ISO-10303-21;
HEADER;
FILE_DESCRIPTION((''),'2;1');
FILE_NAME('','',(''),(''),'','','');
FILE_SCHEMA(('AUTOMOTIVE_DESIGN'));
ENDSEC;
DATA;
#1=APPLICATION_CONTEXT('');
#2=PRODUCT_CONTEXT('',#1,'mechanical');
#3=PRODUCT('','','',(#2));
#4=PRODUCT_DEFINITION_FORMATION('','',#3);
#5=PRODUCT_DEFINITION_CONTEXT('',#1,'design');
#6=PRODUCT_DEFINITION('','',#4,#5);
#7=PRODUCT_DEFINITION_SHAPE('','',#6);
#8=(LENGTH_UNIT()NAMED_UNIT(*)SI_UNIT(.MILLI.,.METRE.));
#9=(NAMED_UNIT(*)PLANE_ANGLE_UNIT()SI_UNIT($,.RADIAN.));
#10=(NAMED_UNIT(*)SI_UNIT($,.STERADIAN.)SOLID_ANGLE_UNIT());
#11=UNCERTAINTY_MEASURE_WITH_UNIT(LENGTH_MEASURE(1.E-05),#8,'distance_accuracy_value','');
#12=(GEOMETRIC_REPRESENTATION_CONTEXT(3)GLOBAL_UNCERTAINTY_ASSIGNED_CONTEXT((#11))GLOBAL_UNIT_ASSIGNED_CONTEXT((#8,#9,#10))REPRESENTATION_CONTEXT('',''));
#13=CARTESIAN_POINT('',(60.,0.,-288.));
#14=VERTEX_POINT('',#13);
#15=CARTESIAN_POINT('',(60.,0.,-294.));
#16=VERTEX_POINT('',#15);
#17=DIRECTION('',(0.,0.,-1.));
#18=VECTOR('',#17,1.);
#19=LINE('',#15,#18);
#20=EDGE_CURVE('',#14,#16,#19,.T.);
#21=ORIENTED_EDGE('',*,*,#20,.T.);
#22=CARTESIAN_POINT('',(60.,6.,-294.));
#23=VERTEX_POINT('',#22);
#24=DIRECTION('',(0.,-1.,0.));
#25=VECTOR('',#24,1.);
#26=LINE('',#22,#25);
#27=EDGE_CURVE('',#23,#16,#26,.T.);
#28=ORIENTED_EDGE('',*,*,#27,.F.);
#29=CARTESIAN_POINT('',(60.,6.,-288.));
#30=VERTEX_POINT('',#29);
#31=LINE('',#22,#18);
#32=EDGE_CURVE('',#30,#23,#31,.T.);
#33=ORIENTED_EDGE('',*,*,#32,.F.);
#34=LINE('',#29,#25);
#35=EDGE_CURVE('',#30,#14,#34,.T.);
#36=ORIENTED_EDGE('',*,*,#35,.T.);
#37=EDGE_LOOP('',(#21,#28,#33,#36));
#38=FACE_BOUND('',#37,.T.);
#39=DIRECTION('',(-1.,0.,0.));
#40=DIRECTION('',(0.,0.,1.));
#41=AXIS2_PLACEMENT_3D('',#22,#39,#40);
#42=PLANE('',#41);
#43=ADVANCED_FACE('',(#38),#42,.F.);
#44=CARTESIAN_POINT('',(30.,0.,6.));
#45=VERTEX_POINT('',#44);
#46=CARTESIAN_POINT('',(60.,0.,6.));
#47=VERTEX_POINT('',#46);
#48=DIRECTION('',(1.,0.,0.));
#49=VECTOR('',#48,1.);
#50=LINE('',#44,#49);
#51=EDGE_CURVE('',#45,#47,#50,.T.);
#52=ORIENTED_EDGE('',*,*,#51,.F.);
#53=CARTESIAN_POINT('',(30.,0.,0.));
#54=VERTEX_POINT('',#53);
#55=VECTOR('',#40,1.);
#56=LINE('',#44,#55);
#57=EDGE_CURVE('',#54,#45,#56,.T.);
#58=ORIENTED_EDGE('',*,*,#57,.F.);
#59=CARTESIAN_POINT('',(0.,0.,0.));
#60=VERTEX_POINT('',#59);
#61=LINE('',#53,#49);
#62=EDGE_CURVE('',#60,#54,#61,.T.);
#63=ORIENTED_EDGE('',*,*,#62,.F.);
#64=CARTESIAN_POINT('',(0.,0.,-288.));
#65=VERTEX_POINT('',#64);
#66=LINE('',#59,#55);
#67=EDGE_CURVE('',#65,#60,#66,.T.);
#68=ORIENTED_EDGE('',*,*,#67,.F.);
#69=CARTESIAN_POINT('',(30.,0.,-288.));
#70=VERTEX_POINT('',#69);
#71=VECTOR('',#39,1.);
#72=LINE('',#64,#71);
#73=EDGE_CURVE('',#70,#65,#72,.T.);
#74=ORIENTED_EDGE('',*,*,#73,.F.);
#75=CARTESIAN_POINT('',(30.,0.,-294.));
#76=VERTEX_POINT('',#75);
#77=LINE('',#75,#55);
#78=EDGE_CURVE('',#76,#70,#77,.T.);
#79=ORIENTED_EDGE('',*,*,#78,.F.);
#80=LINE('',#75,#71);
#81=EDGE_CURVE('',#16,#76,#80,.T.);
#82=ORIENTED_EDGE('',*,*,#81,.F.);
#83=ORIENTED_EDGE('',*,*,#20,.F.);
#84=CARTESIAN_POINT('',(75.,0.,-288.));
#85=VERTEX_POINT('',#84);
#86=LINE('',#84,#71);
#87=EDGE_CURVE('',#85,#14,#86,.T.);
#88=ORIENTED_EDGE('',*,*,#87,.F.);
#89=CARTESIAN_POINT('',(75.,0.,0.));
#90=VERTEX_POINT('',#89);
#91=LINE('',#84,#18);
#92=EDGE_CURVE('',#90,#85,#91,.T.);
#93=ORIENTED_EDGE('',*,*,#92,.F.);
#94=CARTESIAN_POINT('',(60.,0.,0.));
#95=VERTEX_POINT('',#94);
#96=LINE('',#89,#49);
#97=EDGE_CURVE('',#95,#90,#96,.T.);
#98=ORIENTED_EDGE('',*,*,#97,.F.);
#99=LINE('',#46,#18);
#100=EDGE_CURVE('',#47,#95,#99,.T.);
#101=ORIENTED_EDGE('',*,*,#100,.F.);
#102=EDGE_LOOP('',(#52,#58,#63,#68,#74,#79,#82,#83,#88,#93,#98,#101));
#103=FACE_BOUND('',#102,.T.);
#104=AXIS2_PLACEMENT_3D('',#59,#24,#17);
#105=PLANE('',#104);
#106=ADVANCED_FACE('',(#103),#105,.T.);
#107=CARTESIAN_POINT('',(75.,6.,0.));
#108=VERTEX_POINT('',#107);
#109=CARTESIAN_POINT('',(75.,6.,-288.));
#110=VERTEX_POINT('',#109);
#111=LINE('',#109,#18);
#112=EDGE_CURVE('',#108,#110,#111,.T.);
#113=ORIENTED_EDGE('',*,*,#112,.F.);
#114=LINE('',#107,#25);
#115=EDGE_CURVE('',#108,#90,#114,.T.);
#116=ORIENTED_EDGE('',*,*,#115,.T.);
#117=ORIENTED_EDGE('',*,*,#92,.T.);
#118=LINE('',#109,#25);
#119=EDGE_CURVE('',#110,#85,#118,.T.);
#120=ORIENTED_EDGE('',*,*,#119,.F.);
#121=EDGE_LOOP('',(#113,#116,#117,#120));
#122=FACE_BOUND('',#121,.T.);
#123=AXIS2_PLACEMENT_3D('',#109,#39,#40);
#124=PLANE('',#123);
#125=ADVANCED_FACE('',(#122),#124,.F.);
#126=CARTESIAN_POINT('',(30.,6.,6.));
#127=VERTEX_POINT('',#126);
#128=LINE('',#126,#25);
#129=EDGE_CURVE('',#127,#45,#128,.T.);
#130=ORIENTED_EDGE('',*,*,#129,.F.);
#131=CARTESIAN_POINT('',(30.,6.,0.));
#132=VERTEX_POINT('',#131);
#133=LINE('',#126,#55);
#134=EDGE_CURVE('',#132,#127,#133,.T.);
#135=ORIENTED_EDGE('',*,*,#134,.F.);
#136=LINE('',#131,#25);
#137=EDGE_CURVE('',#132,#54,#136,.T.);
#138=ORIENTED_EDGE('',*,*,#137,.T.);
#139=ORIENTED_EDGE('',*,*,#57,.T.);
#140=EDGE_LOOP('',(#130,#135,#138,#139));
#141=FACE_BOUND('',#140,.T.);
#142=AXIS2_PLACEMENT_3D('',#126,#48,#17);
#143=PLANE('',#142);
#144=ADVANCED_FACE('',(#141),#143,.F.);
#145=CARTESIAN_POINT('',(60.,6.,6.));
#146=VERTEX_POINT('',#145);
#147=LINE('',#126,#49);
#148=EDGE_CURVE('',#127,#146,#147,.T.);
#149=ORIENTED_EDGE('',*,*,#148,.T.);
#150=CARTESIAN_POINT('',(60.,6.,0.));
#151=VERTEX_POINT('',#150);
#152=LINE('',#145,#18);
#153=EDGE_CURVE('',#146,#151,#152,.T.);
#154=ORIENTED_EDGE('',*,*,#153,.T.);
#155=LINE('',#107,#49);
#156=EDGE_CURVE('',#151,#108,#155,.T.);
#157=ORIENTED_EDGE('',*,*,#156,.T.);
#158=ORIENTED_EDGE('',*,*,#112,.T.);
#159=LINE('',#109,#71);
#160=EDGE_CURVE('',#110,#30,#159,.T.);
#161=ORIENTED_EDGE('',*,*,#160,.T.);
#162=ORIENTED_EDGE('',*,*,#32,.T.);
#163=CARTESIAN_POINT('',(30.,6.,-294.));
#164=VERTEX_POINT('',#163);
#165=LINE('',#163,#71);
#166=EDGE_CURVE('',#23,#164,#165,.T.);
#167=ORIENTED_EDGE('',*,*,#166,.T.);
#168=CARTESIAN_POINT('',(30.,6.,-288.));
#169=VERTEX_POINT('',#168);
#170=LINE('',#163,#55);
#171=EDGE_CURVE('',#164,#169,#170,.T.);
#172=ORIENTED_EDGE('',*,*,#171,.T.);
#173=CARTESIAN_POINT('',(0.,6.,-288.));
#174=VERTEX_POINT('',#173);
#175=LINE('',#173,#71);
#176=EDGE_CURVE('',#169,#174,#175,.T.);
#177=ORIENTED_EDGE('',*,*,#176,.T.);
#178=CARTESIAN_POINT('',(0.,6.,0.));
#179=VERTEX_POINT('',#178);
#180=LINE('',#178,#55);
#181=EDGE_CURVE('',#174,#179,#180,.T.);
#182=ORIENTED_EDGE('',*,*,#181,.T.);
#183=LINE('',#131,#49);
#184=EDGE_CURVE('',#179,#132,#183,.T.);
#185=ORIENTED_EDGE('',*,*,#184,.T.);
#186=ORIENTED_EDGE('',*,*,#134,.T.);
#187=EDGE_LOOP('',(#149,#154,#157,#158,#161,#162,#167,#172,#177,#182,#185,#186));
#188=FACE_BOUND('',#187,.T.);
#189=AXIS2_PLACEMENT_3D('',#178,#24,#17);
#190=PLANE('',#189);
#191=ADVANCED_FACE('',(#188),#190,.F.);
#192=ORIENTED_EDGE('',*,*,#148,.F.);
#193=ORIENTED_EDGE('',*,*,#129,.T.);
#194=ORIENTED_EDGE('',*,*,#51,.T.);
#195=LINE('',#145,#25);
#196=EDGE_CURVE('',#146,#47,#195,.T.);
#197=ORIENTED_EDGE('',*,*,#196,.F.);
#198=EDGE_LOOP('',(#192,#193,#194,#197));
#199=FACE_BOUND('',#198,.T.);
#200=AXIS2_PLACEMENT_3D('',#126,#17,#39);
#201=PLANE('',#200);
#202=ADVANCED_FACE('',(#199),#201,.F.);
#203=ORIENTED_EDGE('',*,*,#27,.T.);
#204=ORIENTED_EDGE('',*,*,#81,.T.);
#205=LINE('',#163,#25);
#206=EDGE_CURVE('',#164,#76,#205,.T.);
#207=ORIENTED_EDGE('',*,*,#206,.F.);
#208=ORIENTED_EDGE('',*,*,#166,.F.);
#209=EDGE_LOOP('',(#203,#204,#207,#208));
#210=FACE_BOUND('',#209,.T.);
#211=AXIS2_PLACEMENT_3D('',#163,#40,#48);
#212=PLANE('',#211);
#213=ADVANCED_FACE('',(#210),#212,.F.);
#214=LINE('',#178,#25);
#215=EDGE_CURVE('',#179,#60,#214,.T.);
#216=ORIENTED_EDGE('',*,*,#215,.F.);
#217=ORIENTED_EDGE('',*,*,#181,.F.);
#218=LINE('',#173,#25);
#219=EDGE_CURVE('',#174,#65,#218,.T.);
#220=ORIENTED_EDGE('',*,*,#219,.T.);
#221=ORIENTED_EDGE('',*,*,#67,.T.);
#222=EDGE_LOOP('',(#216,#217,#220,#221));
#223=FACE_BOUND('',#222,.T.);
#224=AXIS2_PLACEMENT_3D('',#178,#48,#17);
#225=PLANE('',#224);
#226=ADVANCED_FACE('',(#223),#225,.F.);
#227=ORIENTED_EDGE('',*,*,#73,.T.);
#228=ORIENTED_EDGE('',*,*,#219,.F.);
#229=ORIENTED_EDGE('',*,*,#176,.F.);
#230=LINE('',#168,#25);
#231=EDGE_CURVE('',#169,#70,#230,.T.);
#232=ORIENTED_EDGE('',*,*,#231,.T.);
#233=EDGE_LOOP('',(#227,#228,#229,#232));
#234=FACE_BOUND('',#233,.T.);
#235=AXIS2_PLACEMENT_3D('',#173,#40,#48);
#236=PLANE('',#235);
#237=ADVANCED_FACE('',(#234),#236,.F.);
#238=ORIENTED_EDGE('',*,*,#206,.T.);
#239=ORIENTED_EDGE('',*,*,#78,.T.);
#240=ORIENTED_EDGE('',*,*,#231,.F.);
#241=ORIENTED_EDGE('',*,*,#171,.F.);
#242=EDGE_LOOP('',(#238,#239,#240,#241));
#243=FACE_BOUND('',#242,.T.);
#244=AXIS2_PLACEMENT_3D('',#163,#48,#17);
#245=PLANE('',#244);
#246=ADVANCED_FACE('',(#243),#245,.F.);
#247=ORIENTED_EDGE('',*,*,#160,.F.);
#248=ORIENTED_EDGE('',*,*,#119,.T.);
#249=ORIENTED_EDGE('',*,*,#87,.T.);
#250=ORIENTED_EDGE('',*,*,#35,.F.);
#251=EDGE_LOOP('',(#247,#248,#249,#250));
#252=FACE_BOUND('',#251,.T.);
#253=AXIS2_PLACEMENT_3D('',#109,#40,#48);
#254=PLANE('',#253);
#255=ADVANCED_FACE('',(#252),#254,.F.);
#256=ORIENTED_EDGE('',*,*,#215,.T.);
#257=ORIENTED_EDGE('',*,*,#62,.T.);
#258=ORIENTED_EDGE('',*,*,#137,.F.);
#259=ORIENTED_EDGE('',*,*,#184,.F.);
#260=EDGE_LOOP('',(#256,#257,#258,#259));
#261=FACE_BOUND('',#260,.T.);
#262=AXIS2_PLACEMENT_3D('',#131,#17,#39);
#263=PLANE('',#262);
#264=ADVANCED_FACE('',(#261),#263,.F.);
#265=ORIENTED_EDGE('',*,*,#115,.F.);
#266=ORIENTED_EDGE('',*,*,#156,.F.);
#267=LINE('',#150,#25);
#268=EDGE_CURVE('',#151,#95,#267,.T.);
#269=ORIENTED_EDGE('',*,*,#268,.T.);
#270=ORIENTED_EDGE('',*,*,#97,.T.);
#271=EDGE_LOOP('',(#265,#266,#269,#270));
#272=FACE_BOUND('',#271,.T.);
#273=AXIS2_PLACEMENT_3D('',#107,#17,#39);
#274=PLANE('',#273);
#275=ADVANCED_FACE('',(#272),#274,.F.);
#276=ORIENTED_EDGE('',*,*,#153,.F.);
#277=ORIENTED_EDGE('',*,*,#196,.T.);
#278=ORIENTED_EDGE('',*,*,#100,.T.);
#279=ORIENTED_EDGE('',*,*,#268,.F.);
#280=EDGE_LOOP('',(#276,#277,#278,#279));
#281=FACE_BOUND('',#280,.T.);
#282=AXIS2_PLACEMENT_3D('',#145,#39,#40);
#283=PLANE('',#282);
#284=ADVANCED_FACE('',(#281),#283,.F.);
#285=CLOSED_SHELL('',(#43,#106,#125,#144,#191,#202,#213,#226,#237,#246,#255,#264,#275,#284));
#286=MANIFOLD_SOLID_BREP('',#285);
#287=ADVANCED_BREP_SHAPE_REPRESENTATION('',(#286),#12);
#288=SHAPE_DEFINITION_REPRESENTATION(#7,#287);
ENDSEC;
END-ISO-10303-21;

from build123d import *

# Parameters (mm, degrees)
EXTRUDE_1_DEPTH = 6


with BuildPart() as part:
    # 草图2 → 凸台-拉伸1 (new body)
    with BuildSketch(Plane(origin=(0, 0, 0), x_dir=(1, 0, 0), z_dir=(0, 1, 0))):
        Polygon((0, 0), (0, 288), (30, 288), (30, 294), (60, 294), (60, 288), (75, 288), (75, 0), (60, 0), (60, -6), (30, -6), (30, 0), align=None)
    extrude(amount=EXTRUDE_1_DEPTH)


solid = part.part
